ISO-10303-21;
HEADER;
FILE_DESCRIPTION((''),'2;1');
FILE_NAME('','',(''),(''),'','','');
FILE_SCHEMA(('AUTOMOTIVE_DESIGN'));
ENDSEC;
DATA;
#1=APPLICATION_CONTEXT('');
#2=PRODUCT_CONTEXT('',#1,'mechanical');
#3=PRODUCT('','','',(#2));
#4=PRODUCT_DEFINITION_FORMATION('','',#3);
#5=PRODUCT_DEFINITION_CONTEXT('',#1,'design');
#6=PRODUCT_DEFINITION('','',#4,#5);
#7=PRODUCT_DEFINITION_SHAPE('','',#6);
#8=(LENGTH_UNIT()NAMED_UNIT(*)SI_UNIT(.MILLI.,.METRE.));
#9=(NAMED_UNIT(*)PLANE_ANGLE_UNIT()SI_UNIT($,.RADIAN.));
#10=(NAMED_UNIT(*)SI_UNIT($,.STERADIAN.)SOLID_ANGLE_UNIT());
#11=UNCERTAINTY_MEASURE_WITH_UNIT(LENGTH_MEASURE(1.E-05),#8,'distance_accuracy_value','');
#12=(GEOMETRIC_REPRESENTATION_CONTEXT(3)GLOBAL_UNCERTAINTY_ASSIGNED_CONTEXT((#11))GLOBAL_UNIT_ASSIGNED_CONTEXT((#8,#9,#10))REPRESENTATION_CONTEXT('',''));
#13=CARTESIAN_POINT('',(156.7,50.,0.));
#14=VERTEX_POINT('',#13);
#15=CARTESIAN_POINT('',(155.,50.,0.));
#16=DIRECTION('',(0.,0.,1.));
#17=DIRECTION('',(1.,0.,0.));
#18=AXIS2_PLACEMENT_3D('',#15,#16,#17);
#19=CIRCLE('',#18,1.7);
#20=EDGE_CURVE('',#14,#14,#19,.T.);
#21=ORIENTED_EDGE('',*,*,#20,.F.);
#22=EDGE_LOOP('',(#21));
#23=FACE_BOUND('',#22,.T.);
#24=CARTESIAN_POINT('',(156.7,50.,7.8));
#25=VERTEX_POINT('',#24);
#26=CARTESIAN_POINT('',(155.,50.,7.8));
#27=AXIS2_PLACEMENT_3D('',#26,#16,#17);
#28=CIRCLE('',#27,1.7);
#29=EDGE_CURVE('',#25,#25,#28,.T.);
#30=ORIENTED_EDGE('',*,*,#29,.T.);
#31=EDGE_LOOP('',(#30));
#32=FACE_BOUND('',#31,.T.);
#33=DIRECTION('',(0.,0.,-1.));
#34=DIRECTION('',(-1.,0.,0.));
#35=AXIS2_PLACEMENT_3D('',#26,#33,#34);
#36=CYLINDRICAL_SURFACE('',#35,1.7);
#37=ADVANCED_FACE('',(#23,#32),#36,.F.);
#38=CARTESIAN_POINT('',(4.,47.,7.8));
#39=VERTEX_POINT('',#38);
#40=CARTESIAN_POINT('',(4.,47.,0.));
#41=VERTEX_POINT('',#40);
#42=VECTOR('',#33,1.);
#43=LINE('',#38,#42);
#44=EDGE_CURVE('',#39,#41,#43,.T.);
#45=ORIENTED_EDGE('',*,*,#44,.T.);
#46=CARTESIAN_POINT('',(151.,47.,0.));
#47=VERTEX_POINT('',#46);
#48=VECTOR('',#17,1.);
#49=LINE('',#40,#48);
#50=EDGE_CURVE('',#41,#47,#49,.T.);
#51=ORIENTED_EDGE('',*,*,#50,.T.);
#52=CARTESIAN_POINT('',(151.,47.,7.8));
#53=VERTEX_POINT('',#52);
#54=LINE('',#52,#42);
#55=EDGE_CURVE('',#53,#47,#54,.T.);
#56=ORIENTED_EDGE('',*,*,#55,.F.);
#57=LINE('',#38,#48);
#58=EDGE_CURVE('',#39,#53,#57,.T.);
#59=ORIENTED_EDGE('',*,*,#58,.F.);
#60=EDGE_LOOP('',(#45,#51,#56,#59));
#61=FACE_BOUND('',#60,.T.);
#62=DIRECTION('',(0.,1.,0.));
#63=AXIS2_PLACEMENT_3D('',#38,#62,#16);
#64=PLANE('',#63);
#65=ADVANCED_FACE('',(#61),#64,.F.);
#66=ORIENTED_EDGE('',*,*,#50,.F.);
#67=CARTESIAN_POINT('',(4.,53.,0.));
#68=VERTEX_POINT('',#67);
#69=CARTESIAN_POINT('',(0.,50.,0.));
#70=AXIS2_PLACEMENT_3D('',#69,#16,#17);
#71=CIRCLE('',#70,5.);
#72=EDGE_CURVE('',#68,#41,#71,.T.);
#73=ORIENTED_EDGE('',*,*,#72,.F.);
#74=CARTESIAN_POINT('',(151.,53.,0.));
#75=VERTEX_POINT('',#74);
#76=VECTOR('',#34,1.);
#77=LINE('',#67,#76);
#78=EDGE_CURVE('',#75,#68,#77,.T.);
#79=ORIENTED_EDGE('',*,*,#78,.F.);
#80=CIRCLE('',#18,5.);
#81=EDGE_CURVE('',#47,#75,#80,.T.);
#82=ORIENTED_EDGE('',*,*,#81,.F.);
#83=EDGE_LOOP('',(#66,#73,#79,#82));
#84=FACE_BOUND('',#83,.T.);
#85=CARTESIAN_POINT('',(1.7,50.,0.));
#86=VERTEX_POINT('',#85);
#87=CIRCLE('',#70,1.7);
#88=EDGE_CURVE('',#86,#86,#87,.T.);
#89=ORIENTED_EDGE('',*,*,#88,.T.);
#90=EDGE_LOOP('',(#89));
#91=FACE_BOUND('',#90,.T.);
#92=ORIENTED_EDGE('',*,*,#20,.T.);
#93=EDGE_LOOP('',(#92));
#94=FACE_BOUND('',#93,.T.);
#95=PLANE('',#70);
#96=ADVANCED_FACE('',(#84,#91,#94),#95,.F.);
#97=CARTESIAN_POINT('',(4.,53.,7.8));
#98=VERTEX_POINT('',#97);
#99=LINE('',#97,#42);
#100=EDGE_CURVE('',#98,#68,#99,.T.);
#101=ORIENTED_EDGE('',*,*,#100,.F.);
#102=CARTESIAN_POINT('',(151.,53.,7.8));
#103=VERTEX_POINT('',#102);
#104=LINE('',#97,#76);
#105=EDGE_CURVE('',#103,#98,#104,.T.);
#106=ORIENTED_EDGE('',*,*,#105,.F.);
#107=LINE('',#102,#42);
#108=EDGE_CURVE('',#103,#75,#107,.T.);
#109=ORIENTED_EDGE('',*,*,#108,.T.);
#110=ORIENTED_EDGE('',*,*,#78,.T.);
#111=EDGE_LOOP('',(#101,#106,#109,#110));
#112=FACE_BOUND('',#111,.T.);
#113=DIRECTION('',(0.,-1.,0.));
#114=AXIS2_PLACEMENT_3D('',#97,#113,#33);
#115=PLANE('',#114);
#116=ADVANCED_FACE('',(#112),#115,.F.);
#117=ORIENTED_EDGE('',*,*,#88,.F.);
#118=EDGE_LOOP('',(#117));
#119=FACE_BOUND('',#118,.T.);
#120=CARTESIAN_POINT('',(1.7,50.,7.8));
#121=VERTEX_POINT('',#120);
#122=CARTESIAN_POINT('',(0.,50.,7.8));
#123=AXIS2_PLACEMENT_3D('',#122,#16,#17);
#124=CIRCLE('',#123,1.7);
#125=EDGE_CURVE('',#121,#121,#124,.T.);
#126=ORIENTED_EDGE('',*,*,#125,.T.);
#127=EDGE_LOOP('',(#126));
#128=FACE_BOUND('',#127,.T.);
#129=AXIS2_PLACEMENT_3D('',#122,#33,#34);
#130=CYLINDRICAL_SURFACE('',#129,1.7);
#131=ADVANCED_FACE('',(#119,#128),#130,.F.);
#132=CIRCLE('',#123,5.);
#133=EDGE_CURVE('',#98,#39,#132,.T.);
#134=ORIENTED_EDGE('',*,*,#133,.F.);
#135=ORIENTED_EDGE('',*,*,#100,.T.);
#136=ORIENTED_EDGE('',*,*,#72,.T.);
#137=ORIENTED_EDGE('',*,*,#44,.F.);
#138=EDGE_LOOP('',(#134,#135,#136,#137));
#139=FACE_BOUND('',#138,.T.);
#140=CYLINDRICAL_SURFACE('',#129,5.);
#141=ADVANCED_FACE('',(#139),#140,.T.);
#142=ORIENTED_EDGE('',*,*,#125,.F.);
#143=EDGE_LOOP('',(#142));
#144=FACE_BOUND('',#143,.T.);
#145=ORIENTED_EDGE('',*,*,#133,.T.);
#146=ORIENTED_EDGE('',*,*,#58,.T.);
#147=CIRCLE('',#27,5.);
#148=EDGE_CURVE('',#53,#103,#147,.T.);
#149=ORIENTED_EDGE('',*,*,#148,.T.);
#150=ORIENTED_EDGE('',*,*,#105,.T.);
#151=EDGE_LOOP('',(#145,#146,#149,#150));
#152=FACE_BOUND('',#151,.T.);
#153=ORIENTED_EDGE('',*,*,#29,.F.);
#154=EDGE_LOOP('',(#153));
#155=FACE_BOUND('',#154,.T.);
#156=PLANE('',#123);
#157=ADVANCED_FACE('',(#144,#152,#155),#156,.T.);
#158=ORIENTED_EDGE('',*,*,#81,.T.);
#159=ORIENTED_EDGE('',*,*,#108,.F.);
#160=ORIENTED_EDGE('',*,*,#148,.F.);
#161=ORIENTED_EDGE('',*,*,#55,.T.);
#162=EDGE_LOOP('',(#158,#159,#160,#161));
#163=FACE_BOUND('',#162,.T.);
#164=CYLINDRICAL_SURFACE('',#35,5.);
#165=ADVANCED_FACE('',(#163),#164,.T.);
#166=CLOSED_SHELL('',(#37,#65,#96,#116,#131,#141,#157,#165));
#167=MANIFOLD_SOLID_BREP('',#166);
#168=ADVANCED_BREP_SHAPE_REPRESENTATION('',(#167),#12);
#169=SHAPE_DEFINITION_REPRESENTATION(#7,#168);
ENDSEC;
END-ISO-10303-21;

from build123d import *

# Parameters (mm, degrees)
SKETCH_1_R      = 1.7
EXTRUDE_1_DEPTH = 7.8


with BuildPart() as part:
    # 草图1 → 凸台-拉伸1 (new body)
    with BuildSketch(Plane.XY):
        with BuildLine():
            Line((4, 53), (151, 53))
            ThreePointArc((151, 53), (160, 50), (151, 47))
            Line((151, 47), (4, 47))
            ThreePointArc((4, 47), (-5, 50), (4, 53))
        make_face()
        with Locations((0, 50)):
            Circle(SKETCH_1_R, mode=Mode.SUBTRACT)
        with Locations((155, 50)):
            Circle(SKETCH_1_R, mode=Mode.SUBTRACT)
    extrude(amount=EXTRUDE_1_DEPTH)


solid = part.part
